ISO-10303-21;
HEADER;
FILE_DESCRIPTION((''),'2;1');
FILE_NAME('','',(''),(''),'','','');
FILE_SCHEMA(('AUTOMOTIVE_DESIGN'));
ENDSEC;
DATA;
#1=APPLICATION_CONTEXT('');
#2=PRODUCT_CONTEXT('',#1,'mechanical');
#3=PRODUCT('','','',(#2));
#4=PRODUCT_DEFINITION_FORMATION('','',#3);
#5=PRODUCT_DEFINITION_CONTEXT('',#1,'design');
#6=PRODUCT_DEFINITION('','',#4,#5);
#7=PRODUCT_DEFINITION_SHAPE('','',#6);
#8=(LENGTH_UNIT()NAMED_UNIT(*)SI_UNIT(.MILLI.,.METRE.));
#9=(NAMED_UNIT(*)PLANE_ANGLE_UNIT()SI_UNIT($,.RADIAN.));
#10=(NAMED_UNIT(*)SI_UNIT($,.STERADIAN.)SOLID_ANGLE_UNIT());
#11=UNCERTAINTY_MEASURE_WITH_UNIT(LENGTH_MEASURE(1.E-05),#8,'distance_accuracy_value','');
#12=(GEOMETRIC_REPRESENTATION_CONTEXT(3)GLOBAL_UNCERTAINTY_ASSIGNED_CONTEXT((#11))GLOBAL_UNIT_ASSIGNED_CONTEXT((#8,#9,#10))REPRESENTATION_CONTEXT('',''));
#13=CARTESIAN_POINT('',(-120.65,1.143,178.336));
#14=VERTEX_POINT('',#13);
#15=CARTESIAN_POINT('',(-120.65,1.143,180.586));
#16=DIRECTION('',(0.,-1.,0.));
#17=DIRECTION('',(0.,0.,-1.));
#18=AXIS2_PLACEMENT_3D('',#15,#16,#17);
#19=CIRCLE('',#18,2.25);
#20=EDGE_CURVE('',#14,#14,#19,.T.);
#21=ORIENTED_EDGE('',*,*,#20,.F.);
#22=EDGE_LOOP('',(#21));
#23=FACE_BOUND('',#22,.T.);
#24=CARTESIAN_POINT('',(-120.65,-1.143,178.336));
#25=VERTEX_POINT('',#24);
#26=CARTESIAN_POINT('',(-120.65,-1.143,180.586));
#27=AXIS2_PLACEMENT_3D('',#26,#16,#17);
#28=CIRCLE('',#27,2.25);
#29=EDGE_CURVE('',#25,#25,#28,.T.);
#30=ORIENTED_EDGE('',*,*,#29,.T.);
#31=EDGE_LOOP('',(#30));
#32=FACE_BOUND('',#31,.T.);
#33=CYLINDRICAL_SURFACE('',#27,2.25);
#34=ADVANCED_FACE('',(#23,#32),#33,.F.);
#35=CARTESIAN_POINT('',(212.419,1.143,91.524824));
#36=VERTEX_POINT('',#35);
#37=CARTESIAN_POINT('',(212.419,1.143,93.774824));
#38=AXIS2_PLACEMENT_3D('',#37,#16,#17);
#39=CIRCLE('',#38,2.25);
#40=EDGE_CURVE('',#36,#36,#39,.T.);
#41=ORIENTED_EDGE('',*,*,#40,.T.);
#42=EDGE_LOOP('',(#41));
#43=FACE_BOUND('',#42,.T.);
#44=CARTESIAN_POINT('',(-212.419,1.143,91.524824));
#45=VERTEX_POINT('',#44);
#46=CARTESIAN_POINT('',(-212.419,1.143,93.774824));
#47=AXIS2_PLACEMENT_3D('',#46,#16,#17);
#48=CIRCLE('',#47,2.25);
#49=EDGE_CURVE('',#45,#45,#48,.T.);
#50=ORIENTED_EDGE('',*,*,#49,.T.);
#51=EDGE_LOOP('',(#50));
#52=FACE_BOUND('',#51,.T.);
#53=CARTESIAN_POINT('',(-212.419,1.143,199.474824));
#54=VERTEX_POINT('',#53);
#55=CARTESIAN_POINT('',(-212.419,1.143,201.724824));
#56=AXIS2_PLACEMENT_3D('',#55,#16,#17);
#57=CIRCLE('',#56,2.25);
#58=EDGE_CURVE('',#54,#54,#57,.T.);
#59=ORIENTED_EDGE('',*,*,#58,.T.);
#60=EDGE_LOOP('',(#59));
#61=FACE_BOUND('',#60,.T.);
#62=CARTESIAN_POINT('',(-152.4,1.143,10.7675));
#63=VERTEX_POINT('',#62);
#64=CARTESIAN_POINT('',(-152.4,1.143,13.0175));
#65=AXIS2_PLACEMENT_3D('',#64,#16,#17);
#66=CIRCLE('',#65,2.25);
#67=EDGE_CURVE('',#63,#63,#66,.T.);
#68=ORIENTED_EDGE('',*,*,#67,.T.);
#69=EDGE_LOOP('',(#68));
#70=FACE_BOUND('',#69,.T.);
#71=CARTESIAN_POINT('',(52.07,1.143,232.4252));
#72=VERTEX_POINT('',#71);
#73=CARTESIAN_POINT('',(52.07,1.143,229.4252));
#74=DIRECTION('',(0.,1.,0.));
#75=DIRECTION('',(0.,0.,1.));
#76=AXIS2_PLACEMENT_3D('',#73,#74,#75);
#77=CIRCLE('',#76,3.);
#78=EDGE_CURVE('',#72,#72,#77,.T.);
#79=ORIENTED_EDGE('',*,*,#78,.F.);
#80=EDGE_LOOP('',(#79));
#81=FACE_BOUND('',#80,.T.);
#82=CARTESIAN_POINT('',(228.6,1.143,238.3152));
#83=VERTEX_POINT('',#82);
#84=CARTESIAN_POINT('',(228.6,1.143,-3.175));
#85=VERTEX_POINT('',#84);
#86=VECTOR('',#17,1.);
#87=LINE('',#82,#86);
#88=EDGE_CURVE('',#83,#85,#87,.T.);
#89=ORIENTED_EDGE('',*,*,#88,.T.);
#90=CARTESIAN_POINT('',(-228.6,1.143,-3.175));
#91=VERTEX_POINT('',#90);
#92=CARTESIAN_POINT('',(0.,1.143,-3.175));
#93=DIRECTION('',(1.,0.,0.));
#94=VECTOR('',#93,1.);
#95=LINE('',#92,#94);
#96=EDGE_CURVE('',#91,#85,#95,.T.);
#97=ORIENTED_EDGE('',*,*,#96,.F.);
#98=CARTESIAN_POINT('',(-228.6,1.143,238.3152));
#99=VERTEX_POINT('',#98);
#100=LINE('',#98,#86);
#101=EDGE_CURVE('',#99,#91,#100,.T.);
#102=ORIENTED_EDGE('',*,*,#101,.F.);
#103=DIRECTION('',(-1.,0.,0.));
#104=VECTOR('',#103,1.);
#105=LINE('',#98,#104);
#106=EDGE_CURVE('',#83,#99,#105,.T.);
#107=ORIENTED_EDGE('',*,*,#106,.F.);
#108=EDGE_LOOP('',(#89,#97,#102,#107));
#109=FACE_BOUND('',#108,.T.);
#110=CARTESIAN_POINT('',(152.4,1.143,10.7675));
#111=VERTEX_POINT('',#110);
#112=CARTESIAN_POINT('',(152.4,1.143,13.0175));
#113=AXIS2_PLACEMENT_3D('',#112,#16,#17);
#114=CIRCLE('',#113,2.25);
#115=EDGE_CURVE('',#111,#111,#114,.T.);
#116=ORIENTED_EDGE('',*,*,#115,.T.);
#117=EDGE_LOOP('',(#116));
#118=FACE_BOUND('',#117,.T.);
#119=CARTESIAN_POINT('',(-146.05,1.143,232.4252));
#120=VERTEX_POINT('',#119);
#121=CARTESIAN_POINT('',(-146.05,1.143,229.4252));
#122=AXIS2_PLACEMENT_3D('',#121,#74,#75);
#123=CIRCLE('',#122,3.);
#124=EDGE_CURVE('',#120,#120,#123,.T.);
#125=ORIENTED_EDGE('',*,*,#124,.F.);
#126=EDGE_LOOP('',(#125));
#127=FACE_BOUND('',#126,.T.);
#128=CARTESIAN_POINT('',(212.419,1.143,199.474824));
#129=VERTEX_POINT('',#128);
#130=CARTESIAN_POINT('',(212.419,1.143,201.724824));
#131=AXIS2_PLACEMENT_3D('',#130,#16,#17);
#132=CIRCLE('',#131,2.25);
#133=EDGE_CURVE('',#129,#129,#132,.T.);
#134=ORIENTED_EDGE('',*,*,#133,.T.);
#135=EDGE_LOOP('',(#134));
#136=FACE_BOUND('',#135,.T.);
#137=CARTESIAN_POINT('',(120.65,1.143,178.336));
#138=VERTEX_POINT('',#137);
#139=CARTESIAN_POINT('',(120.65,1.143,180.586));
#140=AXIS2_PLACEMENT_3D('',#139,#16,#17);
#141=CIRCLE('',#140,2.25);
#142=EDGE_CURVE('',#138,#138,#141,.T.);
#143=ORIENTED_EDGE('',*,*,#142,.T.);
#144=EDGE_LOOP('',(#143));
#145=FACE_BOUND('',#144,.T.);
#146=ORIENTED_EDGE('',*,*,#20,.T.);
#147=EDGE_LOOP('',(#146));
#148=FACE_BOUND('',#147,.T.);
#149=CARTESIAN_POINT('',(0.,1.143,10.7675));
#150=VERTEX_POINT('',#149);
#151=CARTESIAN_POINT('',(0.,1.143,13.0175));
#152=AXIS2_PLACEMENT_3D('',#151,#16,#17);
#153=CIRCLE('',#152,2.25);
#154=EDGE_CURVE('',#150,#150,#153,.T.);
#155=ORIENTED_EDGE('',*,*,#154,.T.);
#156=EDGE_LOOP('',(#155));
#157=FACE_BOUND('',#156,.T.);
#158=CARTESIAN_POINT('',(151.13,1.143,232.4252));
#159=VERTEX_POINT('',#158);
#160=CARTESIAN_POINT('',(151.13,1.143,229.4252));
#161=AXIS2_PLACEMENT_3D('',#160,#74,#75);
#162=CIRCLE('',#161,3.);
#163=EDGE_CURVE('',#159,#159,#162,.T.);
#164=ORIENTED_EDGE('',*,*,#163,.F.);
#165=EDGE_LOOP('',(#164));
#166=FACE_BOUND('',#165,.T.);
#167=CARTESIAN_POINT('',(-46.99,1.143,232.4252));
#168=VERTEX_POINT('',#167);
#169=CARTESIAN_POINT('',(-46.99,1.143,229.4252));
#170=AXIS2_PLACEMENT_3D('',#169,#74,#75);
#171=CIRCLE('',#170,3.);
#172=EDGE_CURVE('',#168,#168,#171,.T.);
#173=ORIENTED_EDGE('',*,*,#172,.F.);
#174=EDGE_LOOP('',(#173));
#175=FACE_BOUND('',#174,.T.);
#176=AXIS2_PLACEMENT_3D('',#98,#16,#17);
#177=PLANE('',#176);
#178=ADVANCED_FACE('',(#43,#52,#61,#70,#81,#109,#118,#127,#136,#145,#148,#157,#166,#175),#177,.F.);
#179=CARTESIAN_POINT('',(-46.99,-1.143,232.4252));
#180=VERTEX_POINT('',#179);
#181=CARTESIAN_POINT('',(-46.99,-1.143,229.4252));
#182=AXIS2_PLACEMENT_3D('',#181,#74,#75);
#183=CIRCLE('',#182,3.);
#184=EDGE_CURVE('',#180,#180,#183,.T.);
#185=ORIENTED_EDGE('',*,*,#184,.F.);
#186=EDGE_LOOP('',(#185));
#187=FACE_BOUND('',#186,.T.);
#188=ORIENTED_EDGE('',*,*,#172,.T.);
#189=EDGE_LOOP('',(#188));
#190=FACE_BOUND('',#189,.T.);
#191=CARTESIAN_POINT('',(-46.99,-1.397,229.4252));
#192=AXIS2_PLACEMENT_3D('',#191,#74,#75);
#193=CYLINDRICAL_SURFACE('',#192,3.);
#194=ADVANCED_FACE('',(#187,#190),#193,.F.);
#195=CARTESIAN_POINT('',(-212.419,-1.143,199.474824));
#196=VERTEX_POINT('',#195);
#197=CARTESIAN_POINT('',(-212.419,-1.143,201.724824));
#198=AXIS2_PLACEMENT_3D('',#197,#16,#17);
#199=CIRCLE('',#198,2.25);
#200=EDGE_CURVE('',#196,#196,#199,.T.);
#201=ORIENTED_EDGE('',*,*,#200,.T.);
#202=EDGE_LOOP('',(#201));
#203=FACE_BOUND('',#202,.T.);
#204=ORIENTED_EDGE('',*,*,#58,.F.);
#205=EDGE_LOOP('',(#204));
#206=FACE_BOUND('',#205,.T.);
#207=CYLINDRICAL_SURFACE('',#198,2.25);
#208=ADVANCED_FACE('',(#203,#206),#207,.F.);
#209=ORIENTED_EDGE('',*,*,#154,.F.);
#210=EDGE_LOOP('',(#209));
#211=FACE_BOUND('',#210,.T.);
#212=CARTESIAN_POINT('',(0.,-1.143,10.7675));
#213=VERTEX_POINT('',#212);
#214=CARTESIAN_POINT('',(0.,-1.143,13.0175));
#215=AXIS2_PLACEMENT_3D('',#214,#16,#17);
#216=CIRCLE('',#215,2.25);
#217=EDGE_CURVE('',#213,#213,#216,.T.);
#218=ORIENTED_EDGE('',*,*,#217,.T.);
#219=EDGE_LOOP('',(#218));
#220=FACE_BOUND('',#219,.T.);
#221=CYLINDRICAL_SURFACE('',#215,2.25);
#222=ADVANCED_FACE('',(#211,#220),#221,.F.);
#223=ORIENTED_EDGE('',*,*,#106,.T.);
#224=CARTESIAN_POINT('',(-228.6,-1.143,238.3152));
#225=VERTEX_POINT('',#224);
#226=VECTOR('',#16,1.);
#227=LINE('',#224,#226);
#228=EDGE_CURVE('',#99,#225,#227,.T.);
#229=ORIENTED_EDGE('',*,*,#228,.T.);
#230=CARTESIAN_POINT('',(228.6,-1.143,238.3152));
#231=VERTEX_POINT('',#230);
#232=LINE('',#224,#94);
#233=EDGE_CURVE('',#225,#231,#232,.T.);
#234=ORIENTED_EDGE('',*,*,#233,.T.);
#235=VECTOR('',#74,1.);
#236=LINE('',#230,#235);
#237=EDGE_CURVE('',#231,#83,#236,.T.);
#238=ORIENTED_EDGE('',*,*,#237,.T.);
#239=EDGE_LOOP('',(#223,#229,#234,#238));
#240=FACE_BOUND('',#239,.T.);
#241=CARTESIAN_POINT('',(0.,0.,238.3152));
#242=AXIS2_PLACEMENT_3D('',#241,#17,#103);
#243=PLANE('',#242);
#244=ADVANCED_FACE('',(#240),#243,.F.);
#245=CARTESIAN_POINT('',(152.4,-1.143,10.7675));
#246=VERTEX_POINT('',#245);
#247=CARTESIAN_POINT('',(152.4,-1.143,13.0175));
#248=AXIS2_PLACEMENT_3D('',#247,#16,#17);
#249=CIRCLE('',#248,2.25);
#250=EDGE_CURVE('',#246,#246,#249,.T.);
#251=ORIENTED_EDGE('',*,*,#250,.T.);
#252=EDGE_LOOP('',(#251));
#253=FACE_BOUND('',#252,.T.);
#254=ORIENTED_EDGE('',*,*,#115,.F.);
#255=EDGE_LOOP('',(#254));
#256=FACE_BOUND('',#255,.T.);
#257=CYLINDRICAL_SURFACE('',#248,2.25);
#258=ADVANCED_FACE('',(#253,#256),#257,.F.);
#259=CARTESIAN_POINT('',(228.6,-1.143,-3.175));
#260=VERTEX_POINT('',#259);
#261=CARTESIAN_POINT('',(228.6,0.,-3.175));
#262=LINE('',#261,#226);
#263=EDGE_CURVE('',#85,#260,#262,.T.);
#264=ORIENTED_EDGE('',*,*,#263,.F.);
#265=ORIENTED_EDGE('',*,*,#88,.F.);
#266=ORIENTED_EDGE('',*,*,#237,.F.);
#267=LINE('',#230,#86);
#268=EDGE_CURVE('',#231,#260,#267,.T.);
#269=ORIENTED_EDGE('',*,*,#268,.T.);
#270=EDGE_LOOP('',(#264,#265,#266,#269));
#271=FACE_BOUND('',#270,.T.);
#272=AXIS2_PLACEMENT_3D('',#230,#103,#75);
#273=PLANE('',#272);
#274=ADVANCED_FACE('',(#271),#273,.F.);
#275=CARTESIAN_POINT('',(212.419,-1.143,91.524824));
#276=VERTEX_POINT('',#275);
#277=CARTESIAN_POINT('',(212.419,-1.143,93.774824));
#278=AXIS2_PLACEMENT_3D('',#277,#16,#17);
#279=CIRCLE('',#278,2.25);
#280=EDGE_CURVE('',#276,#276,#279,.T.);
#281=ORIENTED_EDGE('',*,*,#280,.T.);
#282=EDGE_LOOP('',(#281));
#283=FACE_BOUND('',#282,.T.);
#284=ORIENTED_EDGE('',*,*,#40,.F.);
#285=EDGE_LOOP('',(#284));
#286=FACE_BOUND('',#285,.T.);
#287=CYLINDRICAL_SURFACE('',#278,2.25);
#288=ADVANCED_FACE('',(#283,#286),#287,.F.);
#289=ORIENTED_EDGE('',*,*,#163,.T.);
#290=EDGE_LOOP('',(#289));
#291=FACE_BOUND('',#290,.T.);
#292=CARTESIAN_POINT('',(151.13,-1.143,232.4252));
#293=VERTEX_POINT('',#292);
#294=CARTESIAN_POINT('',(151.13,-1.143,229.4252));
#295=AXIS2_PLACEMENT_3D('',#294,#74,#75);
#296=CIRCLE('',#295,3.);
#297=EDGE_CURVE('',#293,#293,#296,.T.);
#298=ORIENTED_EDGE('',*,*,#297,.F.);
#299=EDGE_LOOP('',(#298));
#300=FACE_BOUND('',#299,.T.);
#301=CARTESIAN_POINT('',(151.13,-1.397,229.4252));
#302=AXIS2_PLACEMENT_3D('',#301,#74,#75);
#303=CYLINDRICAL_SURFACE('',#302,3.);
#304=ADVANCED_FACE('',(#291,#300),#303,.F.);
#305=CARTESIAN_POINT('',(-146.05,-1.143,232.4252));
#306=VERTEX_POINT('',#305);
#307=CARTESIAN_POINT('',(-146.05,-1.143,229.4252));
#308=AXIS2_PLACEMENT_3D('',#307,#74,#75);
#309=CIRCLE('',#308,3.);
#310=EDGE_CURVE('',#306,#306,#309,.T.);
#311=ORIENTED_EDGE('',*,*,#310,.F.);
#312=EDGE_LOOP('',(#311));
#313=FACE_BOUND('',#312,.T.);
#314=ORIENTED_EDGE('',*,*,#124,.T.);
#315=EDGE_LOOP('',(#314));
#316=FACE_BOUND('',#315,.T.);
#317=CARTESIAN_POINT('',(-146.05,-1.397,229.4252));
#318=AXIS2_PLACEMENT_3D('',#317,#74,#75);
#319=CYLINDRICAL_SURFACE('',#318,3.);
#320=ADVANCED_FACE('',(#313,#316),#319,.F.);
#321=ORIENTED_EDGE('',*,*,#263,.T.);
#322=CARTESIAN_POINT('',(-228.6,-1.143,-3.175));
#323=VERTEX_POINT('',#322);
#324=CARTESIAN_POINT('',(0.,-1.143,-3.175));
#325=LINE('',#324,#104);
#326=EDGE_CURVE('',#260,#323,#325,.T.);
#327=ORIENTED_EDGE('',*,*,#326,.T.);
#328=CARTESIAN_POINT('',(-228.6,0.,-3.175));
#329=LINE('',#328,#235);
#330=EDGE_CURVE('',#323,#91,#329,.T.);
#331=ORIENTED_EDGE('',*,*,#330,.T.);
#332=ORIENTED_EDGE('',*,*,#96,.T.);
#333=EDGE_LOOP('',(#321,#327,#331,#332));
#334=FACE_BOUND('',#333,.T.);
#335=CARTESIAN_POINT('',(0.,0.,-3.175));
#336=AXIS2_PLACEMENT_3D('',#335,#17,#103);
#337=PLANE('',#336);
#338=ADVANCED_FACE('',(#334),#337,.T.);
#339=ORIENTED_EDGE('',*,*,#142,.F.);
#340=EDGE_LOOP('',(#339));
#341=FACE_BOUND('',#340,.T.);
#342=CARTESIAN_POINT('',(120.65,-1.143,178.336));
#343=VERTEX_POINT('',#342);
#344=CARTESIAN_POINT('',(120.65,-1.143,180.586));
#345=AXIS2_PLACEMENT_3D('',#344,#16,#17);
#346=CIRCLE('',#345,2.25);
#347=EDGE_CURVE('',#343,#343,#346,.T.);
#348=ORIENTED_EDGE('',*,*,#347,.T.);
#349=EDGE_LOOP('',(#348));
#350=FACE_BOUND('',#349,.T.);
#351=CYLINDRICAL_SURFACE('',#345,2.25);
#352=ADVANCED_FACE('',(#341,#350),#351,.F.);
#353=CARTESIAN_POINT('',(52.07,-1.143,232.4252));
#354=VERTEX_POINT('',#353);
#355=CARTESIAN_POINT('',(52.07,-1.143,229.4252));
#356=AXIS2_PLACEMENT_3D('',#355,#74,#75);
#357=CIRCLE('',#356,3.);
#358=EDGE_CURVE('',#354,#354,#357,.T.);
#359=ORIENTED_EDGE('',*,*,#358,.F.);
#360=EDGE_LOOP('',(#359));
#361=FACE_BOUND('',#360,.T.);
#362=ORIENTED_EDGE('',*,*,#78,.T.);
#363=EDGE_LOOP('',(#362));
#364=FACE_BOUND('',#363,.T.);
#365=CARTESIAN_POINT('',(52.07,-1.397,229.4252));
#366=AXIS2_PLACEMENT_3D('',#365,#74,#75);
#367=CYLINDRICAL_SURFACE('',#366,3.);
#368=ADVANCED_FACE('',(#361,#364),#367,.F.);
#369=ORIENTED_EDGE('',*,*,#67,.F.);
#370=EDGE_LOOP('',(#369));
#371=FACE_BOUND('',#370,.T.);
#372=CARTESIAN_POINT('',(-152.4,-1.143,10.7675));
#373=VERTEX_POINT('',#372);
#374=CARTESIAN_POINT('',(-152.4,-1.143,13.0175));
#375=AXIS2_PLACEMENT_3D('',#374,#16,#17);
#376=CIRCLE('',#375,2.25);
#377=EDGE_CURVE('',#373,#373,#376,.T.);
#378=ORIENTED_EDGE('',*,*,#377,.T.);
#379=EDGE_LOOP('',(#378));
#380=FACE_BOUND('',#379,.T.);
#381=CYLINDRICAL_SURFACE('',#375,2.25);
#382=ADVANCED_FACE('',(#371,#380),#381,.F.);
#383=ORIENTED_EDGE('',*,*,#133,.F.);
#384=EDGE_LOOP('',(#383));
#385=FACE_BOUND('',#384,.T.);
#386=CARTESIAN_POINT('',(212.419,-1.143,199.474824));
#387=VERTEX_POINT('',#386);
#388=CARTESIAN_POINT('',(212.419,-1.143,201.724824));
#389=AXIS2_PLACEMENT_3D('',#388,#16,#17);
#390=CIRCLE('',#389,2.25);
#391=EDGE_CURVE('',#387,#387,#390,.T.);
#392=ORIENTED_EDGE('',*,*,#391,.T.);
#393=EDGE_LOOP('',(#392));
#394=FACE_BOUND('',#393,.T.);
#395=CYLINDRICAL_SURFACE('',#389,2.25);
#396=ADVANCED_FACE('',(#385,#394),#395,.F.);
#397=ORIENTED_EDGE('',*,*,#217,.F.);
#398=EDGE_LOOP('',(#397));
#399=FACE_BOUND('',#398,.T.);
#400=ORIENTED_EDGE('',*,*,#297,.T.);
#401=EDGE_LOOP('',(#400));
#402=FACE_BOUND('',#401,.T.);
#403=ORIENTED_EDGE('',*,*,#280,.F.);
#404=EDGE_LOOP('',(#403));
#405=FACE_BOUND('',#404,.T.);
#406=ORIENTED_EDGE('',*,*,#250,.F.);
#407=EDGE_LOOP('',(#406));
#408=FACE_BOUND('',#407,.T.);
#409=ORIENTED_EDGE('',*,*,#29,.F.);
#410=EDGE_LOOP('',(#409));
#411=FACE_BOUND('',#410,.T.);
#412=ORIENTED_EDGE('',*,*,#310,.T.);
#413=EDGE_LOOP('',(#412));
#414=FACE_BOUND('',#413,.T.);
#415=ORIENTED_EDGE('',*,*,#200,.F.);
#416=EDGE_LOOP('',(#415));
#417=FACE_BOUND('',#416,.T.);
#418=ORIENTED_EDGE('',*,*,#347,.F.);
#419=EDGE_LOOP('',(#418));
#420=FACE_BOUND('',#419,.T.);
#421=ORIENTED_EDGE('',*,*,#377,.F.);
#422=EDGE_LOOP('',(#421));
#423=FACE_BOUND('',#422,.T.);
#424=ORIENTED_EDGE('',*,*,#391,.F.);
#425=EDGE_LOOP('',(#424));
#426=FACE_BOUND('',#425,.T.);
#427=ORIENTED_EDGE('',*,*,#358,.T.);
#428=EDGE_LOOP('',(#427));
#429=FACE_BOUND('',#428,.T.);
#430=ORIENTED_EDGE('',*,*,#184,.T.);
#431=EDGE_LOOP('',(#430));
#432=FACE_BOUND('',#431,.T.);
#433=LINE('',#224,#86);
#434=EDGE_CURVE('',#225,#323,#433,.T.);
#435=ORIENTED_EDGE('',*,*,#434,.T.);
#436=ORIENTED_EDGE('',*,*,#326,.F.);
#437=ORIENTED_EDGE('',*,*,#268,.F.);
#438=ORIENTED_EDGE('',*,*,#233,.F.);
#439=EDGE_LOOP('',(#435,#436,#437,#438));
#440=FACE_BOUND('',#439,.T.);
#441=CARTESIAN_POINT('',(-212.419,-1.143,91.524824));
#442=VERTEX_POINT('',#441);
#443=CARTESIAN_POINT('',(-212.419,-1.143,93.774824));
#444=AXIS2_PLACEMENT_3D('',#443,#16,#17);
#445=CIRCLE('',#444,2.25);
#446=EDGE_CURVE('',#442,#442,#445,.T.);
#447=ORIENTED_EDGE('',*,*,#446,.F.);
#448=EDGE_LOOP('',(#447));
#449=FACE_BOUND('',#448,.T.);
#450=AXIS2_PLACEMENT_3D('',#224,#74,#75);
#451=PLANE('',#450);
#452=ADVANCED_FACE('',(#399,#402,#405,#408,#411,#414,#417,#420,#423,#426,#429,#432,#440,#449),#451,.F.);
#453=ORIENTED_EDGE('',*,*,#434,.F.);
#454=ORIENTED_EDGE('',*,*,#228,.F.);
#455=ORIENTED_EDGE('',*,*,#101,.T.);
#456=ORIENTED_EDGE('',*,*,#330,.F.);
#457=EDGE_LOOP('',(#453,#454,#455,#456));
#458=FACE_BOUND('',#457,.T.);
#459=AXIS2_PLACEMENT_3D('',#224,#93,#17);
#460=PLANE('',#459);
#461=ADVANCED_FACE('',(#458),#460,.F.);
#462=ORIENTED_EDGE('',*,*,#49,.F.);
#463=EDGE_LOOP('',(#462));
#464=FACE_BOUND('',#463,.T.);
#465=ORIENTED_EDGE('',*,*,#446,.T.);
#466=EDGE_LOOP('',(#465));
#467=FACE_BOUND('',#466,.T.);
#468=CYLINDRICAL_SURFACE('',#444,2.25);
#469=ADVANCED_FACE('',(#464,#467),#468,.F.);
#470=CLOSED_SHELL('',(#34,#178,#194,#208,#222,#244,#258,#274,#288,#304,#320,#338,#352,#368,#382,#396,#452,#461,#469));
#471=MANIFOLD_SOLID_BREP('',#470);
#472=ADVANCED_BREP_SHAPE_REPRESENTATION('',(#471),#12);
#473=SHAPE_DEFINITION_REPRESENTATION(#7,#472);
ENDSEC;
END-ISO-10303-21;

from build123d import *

# Parameters (mm, degrees)
SKETCH1_W            = 457.2
SKETCH1_H            = 2.286
BOSS_EXTRUDE1_DEPTH  = 238.315200026
SKETCH2_W            = 457.2
SKETCH2_H            = 2.286
BOSS_EXTRUDE2_DEPTH  = 3.175
SKETCH9_R            = 3
CUT_EXTRUDE10_DEPTH  = 2.54
LPATTERN1_COUNT      = 4
LPATTERN1_PITCH      = 99.06
M4_CLEARANCE_HOLE1_D = 4.5


with BuildPart() as part:
    # Sketch1 → Boss-Extrude1 (new body)
    with BuildSketch(Plane.XY):
        Rectangle(SKETCH1_W, SKETCH1_H)
    extrude(amount=BOSS_EXTRUDE1_DEPTH)

    # Sketch2 → Boss-Extrude2 (add)
    with BuildSketch(Plane(origin=(0, 0, 0), x_dir=(-1, 0, 0), z_dir=(0, 0, -1))):
        Rectangle(SKETCH2_W, SKETCH2_H)
    extrude(amount=BOSS_EXTRUDE2_DEPTH)

    # Sketch9 → Cut-Extrude10 (cut)
    with BuildSketch(Plane(origin=(0, 1.143, 0), x_dir=(1, 0, 0), z_dir=(0, 1, 0))):
        with Locations(Location((-146.05, -229.425200026, 0), (0, 0, 270))):
            Circle(SKETCH9_R)
    cut_extrude10 = extrude(amount=-CUT_EXTRUDE10_DEPTH, mode=Mode.SUBTRACT)

    # LPattern1: Cut-Extrude10 ×4
    with Locations(*[(i * LPATTERN1_PITCH, 0, 0) for i in range(1, LPATTERN1_COUNT)]):
        add(cut_extrude10, mode=Mode.SUBTRACT)

    # M4 Clearance Hole1 (through all)
    with Locations(Plane.XZ.offset(1.143)):
        with Locations((-212.419, 93.774823778), (-152.4, 13.0175), (0, 13.0175), (152.4, 13.0175), (212.419, 93.774823778), (212.419, 201.724823778), (120.65, 180.586), (-120.65, 180.586), (-212.419, 201.724823778)):
            Hole(M4_CLEARANCE_HOLE1_D / 2)


solid = part.part
